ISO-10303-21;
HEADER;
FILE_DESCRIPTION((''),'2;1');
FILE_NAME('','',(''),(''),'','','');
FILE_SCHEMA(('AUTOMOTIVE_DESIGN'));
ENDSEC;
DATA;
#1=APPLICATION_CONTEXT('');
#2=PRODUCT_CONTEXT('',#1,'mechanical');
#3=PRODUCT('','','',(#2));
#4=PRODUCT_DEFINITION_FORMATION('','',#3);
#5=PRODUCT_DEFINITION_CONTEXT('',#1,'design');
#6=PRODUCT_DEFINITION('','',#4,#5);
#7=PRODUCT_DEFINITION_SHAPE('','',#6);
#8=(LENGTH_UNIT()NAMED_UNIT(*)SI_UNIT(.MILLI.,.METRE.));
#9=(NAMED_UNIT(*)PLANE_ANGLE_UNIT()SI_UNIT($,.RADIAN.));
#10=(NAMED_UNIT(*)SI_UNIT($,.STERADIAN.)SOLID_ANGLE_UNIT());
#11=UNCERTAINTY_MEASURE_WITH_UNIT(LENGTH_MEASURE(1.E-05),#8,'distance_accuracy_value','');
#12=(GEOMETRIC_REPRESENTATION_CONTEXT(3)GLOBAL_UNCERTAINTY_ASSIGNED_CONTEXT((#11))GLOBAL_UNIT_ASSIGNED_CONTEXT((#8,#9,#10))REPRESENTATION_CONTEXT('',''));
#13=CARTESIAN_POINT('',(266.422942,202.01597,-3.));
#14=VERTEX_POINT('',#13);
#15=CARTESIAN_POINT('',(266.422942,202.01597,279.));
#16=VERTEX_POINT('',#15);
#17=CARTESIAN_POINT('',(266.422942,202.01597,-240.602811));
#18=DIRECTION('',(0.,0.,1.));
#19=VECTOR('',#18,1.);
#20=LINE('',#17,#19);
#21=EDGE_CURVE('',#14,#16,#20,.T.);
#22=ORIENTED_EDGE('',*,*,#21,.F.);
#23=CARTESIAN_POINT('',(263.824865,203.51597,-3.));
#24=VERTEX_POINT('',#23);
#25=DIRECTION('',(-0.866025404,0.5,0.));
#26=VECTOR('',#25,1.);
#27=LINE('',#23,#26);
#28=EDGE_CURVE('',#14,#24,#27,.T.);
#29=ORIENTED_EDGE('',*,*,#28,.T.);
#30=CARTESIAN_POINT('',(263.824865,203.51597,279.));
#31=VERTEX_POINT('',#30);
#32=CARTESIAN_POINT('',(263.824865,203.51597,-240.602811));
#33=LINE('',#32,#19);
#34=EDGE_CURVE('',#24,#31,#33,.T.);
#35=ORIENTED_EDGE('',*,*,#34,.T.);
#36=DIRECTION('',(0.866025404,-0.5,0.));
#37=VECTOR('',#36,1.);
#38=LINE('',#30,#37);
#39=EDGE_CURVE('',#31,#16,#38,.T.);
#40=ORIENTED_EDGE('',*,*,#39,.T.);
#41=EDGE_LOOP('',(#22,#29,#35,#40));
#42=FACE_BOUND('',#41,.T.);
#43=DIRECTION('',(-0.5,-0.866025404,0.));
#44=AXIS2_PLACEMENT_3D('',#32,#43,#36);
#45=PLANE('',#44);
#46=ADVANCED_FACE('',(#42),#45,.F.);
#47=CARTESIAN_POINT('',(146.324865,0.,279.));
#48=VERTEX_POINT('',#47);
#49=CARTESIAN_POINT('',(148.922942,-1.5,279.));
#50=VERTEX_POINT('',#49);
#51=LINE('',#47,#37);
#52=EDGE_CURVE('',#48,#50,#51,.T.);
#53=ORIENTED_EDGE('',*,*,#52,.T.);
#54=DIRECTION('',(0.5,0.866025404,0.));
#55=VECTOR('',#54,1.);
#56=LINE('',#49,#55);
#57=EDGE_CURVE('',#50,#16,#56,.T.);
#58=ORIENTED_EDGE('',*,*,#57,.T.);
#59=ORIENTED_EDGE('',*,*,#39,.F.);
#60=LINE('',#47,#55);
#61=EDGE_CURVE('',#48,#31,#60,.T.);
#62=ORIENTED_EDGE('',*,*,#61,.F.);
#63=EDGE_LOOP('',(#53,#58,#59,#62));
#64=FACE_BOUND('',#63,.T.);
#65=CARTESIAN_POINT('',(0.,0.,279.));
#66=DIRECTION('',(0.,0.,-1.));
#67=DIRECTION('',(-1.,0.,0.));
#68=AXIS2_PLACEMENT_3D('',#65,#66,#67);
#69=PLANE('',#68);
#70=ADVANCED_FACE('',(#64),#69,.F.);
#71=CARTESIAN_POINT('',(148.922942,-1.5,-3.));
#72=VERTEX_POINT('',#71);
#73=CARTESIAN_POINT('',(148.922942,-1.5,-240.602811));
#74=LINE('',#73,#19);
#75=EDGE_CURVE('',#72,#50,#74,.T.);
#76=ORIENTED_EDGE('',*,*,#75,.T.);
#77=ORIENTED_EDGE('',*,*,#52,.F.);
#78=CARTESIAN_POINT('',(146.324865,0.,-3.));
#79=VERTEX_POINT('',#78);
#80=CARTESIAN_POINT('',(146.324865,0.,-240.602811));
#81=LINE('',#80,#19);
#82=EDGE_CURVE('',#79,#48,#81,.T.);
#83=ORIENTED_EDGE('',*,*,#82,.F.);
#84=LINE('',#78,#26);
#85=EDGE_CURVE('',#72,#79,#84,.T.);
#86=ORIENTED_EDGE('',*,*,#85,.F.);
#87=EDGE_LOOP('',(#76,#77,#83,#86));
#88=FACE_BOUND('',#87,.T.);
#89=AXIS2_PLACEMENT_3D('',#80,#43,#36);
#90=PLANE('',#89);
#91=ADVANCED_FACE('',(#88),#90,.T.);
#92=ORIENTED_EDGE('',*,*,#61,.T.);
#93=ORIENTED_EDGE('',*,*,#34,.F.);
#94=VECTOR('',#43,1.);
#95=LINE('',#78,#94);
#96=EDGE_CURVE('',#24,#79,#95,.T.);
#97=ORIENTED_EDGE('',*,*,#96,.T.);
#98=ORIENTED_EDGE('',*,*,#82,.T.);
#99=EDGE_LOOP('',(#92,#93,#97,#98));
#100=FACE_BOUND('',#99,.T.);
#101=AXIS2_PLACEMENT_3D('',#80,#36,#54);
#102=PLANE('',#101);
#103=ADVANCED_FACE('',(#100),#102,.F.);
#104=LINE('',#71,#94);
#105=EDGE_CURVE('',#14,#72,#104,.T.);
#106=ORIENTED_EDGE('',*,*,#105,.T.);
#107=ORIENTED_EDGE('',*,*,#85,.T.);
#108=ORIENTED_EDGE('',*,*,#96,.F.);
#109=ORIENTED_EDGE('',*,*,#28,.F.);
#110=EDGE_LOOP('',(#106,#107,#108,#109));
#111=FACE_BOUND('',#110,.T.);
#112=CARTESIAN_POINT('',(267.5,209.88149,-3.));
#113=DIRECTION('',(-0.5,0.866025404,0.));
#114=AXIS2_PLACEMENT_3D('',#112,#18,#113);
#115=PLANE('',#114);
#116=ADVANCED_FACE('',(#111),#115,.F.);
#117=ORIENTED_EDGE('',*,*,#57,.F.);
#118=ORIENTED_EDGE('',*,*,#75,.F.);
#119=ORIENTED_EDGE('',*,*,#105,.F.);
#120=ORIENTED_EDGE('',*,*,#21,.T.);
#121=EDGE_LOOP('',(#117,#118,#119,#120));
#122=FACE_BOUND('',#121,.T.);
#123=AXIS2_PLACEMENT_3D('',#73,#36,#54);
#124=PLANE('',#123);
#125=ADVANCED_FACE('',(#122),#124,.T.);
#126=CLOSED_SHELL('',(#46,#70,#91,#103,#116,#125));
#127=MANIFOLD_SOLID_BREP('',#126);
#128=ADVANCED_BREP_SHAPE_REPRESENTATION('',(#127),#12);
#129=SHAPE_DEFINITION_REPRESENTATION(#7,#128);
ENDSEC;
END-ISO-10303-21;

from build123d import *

# Parameters (mm, degrees)
BOSS_EXTRUDE1_DEPTH = 282


with BuildPart() as part:
    # Sketch2 → Boss-Extrude1 (new body)
    with BuildSketch(Plane.XY.offset(279)):
        Polygon((146.324865405, 0), (263.824865405, 203.515969889), (266.422941617, 202.015969889), (148.922941617, -1.5), align=None)
    extrude(amount=-BOSS_EXTRUDE1_DEPTH)


solid = part.part
